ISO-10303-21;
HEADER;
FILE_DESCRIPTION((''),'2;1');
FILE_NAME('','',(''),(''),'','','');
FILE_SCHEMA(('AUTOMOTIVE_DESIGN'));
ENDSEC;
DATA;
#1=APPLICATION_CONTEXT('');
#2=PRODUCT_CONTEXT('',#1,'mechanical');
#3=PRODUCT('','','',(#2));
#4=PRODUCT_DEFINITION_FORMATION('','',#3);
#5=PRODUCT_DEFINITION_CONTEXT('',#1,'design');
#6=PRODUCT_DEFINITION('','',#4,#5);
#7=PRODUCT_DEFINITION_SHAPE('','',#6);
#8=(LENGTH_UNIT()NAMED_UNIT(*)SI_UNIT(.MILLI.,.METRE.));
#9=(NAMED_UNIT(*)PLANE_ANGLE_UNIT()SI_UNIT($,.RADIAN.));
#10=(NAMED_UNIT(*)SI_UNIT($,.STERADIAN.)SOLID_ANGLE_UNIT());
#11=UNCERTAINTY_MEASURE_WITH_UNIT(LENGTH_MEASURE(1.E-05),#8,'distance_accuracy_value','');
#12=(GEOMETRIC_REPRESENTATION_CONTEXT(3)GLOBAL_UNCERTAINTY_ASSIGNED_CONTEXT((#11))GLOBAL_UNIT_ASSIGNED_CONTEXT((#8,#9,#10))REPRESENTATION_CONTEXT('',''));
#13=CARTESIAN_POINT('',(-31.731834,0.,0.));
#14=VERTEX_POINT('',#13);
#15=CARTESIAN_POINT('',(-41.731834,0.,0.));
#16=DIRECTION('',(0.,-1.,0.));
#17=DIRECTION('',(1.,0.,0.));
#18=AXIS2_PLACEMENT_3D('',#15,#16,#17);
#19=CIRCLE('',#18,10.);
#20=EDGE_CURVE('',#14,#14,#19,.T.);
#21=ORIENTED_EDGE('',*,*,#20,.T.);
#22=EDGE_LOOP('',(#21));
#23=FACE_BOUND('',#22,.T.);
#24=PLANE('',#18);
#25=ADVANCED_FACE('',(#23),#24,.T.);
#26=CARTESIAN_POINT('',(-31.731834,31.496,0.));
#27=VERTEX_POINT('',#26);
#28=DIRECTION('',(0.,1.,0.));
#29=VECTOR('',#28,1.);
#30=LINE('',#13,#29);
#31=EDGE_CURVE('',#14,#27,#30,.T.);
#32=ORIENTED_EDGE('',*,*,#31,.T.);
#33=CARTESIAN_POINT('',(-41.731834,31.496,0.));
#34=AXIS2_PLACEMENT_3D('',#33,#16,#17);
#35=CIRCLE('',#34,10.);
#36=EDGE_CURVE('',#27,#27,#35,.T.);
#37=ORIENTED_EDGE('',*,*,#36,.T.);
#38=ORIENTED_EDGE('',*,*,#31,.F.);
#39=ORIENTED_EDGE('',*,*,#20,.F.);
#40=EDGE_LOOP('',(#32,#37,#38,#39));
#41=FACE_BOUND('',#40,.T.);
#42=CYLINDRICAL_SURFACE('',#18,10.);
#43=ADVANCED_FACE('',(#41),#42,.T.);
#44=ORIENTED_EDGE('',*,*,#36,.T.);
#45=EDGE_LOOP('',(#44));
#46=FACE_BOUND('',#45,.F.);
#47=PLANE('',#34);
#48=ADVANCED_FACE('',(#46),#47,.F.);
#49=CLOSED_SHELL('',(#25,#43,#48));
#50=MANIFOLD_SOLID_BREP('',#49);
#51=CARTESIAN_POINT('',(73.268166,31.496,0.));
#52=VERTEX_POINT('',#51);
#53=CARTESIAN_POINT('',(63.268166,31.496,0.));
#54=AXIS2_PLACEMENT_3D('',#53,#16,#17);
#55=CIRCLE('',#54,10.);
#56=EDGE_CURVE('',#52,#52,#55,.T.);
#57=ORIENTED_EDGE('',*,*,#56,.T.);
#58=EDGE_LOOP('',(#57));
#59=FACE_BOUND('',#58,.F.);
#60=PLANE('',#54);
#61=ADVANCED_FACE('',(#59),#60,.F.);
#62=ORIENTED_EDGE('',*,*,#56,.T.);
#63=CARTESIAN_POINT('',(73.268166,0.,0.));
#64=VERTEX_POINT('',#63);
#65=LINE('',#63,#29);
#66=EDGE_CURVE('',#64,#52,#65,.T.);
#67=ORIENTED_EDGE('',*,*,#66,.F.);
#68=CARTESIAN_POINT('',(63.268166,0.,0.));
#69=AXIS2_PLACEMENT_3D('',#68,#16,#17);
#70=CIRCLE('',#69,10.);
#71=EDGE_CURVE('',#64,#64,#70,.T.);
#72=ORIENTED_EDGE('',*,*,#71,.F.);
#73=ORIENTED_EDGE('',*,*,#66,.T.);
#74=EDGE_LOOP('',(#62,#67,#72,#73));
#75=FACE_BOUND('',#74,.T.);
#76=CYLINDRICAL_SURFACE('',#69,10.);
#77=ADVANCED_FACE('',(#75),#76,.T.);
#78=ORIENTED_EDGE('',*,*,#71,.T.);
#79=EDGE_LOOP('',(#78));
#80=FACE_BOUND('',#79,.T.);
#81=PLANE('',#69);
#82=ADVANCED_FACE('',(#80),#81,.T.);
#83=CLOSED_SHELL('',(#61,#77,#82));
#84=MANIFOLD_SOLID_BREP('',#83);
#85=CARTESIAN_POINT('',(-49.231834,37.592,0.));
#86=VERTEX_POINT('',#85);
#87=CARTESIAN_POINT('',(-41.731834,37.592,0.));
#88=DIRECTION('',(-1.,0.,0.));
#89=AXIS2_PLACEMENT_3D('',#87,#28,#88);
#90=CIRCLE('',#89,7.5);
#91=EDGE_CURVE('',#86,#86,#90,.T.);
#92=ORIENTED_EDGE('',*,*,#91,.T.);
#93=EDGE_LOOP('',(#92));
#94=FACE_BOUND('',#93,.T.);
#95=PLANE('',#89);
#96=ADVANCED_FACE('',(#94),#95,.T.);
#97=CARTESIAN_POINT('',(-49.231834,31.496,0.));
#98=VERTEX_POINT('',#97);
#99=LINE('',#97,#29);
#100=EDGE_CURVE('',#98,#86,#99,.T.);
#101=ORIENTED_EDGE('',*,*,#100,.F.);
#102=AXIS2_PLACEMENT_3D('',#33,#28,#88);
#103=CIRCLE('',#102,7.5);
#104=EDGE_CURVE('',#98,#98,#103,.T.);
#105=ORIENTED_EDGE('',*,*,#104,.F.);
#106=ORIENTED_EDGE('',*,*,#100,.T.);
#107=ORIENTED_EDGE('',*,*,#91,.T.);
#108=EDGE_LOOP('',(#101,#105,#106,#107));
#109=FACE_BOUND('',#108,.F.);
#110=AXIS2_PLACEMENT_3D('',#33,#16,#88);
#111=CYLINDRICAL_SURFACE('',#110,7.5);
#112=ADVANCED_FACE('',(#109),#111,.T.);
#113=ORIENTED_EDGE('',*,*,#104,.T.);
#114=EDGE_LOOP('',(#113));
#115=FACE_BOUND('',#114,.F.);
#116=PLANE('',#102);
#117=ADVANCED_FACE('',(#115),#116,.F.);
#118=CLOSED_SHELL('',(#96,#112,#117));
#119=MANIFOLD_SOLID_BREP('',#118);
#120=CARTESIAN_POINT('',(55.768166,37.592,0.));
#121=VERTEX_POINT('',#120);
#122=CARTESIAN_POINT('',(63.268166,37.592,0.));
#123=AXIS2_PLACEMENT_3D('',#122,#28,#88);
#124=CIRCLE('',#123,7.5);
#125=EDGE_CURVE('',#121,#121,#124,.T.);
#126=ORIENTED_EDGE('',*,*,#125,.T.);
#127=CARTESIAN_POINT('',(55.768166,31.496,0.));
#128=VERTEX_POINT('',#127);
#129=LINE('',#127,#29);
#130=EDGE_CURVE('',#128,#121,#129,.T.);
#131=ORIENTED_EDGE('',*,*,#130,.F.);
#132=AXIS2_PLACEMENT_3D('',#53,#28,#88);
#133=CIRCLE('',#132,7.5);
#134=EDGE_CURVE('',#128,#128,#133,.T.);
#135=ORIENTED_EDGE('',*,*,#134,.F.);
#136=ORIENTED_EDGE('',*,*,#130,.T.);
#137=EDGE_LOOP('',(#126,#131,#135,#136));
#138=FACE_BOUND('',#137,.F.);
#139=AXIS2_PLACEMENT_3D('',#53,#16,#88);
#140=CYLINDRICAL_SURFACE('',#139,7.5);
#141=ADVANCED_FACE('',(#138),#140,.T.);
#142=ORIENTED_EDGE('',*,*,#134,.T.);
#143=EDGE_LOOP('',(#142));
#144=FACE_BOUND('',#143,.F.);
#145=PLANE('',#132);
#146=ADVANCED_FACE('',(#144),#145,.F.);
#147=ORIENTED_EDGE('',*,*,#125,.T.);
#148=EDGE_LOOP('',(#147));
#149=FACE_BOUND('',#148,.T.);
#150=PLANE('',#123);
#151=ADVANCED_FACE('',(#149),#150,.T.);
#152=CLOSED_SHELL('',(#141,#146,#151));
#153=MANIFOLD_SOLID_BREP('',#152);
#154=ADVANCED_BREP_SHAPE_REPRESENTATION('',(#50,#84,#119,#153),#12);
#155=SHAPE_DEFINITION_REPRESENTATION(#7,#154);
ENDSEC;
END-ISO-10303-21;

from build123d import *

# Parameters (mm, degrees)
F0_R     = 10
F1_DEPTH = 31.496
F2_R     = 7.5
F3_DEPTH = 6.096


with BuildPart() as f1:
    # F0 (on Front) → F1 (new body)
    with BuildSketch(Plane.XZ):
        with Locations((-41.731834, 0)):
            Circle(F0_R)
        with Locations((63.268166, 0)):
            Circle(F0_R)
    extrude(amount=-F1_DEPTH)


with BuildPart() as f3:
    # F2 (on face) → F3 (new body)
    with BuildSketch(Plane(origin=(0, 31.496, 0), x_dir=(-1, 0, 0), z_dir=(0, 1, 0))):
        with Locations((41.731834, 0)):
            Circle(F2_R)
        with Locations((-63.268166, 0)):
            Circle(F2_R)
    extrude(amount=F3_DEPTH)


solid = Compound([f1.part, f3.part])
